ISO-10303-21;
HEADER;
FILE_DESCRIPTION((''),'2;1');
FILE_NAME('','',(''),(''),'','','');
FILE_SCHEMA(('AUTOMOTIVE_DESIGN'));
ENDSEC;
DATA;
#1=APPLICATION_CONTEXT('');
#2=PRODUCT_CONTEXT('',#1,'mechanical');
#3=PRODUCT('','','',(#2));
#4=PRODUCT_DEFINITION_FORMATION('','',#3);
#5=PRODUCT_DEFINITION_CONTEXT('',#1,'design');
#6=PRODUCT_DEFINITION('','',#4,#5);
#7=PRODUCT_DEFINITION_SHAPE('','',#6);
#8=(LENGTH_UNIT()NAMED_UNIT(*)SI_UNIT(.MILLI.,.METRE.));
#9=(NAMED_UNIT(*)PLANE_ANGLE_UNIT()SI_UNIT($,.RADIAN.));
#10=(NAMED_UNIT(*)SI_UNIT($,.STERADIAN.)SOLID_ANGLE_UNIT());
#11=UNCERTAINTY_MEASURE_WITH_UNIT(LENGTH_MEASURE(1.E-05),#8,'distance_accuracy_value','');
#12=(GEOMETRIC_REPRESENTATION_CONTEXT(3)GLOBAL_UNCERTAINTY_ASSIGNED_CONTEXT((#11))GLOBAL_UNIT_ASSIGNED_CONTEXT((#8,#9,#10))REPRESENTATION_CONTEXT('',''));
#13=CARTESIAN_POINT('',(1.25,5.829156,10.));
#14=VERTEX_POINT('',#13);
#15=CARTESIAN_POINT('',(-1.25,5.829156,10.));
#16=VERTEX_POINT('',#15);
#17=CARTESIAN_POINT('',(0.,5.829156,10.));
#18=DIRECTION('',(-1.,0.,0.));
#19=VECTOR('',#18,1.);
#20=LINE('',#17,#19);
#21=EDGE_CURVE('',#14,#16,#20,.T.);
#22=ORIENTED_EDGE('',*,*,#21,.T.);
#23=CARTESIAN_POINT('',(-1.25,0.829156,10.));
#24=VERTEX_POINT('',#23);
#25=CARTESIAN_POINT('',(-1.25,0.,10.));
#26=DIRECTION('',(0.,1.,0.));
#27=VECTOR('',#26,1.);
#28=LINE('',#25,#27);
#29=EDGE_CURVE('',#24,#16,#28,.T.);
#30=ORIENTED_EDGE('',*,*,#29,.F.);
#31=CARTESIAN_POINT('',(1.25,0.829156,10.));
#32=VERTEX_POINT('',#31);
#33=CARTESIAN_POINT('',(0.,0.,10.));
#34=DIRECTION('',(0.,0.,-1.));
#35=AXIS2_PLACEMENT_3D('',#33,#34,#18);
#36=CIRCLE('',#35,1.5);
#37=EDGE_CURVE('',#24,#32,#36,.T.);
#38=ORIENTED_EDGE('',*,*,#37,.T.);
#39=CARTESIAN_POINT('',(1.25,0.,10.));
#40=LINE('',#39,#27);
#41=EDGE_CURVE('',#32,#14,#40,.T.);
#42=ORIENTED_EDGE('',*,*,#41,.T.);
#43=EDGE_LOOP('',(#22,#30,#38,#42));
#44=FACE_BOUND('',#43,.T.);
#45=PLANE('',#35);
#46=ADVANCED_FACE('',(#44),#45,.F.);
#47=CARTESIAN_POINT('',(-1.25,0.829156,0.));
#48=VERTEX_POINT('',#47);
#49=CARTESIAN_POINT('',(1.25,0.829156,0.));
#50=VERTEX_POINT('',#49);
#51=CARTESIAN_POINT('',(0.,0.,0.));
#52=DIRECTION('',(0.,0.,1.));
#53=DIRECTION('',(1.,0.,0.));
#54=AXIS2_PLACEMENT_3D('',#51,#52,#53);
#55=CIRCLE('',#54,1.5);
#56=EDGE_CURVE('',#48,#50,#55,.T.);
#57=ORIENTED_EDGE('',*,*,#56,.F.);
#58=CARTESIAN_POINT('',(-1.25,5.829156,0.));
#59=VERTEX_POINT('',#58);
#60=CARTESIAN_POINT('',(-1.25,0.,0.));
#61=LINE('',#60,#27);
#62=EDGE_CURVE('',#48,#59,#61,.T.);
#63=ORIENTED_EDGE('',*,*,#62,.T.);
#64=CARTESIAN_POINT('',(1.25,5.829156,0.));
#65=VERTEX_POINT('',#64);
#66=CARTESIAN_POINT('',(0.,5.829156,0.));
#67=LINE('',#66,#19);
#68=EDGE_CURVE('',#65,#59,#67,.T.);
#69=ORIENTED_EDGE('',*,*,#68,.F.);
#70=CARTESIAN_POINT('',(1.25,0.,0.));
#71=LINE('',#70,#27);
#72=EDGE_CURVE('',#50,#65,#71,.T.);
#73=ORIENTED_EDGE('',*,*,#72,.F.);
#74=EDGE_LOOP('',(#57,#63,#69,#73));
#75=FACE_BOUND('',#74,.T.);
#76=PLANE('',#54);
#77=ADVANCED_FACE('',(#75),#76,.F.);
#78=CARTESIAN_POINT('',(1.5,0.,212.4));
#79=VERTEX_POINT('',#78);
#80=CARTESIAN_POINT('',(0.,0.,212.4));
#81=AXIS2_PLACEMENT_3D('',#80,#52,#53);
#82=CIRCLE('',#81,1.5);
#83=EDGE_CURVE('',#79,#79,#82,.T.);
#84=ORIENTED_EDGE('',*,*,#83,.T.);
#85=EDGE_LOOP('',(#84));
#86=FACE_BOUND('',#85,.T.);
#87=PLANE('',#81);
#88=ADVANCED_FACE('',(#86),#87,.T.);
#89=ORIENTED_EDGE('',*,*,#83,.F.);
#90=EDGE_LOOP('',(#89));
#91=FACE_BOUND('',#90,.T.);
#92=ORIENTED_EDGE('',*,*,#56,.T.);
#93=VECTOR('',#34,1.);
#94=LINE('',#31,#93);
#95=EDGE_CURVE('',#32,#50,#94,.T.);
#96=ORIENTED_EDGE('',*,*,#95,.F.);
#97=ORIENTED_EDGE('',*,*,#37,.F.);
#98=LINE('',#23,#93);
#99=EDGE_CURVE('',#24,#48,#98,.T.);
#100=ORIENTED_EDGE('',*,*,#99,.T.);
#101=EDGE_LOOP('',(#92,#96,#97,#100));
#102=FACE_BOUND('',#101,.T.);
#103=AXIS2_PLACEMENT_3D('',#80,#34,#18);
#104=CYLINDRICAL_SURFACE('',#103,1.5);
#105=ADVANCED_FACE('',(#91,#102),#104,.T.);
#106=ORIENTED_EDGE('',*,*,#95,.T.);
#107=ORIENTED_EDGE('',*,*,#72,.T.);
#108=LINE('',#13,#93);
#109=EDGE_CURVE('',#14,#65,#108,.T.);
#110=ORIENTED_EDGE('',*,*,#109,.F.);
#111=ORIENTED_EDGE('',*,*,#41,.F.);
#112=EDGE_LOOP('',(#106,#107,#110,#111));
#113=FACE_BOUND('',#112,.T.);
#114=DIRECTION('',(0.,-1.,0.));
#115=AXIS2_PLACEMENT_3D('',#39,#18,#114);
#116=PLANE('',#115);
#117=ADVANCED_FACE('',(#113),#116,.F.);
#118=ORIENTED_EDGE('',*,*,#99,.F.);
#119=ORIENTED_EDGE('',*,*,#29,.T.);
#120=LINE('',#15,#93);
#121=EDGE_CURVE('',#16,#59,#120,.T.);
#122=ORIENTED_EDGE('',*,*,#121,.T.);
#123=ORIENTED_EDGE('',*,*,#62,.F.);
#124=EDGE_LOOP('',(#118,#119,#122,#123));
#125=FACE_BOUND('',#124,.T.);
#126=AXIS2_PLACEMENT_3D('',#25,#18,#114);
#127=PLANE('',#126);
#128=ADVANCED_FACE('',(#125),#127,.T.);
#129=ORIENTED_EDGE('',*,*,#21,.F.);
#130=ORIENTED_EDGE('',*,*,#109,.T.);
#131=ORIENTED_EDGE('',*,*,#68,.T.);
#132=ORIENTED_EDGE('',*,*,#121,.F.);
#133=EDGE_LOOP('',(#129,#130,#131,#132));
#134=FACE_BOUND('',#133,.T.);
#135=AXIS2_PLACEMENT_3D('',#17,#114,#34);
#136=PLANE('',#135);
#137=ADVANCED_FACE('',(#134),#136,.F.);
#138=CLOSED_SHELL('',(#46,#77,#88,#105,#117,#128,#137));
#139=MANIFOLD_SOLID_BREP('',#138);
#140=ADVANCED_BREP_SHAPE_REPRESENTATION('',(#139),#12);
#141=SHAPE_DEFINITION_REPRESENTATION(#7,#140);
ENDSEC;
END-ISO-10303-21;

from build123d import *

# Parameters (mm, degrees)
SKETCH1_R           = 1.5
BOSS_EXTRUDE1_DEPTH = 212.4
BOSS_EXTRUDE2_DEPTH = 10


with BuildPart() as part:
    # Sketch1 → Boss-Extrude1 (new body)
    with BuildSketch(Plane.XY):
        Circle(SKETCH1_R)
    extrude(amount=BOSS_EXTRUDE1_DEPTH)

    # Sketch2 → Boss-Extrude2 (add)
    with BuildSketch(Plane(origin=(0, 0, 0), x_dir=(-1, 0, 0), z_dir=(0, 0, -1))):
        with BuildLine():
            Line((-1.25, 5.829156198), (-1.25, 0.829156198))
            ThreePointArc((-1.25, 0.829156198), (0, 1.5), (1.25, 0.829156198))
            Line((1.25, 0.829156198), (1.25, 5.829156198))
            Line((1.25, 5.829156198), (-1.25, 5.829156198))
        make_face()
    extrude(amount=-BOSS_EXTRUDE2_DEPTH)


solid = part.part
